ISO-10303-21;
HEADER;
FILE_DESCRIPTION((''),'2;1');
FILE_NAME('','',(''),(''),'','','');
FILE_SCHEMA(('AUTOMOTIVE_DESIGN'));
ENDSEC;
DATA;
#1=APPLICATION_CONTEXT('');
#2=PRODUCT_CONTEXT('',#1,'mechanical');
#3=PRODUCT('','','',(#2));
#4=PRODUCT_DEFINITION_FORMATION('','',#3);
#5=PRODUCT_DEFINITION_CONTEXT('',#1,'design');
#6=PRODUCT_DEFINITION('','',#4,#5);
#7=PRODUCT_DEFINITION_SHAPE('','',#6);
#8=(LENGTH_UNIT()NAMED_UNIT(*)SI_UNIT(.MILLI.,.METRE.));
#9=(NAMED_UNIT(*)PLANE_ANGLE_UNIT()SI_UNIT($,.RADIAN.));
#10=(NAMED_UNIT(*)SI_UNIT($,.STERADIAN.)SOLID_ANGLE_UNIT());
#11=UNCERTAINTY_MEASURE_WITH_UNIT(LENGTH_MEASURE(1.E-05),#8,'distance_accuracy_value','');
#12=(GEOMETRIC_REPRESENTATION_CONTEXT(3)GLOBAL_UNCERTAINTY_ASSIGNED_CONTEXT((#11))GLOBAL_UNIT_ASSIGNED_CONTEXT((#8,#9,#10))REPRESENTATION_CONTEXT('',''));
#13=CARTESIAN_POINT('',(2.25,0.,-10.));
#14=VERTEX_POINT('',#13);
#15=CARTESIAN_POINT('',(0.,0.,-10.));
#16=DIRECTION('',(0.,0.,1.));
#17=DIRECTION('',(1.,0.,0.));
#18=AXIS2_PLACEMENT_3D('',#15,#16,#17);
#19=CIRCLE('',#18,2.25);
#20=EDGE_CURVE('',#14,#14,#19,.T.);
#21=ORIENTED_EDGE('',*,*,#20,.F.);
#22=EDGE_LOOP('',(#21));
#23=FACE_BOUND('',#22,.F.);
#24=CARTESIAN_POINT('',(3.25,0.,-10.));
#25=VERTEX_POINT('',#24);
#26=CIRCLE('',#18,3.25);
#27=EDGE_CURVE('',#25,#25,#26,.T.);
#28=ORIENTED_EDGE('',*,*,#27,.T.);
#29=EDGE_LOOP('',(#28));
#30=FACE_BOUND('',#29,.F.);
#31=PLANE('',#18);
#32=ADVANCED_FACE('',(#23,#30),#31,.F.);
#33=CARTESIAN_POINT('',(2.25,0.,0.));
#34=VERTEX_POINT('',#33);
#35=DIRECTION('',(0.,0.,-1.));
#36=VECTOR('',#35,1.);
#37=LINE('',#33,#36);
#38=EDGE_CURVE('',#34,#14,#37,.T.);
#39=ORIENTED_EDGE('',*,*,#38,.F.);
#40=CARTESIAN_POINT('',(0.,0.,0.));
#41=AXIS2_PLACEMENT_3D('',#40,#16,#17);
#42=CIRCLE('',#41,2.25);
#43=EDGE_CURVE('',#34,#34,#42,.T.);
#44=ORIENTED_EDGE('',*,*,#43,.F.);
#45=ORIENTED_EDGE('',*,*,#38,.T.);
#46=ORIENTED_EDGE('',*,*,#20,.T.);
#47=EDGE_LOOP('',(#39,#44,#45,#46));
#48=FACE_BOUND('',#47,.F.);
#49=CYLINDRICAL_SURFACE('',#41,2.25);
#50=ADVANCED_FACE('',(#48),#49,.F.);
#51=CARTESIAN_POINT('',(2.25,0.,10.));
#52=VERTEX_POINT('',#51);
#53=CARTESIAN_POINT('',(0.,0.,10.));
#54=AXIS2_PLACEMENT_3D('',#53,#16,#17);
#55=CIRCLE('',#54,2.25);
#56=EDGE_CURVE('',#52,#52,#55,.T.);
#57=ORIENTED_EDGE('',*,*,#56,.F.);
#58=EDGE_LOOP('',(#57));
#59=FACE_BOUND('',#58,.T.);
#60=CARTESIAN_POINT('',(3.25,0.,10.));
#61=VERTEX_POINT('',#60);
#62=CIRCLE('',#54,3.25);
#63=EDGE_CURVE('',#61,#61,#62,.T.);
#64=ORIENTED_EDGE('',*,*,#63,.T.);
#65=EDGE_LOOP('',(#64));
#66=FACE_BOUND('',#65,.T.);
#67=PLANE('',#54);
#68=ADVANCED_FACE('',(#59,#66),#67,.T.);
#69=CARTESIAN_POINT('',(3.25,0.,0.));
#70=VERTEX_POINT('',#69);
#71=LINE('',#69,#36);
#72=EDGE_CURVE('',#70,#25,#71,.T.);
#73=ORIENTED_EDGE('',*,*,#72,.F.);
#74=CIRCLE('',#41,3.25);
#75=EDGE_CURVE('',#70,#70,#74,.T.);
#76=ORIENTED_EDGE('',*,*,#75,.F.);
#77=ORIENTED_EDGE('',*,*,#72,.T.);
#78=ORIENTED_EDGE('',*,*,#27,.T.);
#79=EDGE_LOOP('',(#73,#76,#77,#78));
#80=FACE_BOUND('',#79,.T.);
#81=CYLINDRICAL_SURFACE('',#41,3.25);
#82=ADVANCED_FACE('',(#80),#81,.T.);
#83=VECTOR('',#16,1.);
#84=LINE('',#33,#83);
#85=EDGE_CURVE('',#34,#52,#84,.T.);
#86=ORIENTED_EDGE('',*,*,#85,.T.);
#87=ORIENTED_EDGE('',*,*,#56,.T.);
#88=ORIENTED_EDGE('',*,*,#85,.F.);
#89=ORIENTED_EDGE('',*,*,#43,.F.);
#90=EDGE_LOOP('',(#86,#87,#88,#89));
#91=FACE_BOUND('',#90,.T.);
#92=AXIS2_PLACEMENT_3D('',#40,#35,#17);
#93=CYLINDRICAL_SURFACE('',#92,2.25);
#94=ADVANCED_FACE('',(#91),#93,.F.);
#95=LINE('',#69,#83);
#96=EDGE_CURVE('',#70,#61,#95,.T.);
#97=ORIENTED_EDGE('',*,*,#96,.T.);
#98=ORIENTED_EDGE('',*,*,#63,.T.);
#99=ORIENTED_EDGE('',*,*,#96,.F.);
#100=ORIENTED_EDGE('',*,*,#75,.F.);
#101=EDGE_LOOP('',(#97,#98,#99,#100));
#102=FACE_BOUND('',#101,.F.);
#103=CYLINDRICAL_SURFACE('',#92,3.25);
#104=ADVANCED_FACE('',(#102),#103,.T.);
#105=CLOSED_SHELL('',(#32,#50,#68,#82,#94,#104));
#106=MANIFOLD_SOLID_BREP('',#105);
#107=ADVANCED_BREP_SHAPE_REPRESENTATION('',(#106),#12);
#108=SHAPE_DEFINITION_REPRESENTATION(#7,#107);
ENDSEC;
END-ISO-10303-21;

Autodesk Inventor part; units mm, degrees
ref_plane "YZ Plane" through (0, 0, 0) normal (1, 0, 0) x (0, 1, 0)
ref_plane "XZ Plane" through (0, 0, 0) normal (0, 1, 0) x (-1, 0, 0)
ref_plane "XY Plane" through (0, 0, 0) normal (0, 0, 1) x (1, 0, 0)
sketch "Sketch1" plane through (0, 0, 0) normal (0, 0, 1) x (1, 0, 0)
  circle A0 centre (0, 0) radius 3.25
  circle A1 centre (0, 0) radius 2.25
  dimension "d0" = 4.5
  dimension "d1" = 6.5
extrude "Extrusion1" add sketch "Sketch1" along normal mid plane 20
properties part number "202-16" material "Acetal Resin, Black"
